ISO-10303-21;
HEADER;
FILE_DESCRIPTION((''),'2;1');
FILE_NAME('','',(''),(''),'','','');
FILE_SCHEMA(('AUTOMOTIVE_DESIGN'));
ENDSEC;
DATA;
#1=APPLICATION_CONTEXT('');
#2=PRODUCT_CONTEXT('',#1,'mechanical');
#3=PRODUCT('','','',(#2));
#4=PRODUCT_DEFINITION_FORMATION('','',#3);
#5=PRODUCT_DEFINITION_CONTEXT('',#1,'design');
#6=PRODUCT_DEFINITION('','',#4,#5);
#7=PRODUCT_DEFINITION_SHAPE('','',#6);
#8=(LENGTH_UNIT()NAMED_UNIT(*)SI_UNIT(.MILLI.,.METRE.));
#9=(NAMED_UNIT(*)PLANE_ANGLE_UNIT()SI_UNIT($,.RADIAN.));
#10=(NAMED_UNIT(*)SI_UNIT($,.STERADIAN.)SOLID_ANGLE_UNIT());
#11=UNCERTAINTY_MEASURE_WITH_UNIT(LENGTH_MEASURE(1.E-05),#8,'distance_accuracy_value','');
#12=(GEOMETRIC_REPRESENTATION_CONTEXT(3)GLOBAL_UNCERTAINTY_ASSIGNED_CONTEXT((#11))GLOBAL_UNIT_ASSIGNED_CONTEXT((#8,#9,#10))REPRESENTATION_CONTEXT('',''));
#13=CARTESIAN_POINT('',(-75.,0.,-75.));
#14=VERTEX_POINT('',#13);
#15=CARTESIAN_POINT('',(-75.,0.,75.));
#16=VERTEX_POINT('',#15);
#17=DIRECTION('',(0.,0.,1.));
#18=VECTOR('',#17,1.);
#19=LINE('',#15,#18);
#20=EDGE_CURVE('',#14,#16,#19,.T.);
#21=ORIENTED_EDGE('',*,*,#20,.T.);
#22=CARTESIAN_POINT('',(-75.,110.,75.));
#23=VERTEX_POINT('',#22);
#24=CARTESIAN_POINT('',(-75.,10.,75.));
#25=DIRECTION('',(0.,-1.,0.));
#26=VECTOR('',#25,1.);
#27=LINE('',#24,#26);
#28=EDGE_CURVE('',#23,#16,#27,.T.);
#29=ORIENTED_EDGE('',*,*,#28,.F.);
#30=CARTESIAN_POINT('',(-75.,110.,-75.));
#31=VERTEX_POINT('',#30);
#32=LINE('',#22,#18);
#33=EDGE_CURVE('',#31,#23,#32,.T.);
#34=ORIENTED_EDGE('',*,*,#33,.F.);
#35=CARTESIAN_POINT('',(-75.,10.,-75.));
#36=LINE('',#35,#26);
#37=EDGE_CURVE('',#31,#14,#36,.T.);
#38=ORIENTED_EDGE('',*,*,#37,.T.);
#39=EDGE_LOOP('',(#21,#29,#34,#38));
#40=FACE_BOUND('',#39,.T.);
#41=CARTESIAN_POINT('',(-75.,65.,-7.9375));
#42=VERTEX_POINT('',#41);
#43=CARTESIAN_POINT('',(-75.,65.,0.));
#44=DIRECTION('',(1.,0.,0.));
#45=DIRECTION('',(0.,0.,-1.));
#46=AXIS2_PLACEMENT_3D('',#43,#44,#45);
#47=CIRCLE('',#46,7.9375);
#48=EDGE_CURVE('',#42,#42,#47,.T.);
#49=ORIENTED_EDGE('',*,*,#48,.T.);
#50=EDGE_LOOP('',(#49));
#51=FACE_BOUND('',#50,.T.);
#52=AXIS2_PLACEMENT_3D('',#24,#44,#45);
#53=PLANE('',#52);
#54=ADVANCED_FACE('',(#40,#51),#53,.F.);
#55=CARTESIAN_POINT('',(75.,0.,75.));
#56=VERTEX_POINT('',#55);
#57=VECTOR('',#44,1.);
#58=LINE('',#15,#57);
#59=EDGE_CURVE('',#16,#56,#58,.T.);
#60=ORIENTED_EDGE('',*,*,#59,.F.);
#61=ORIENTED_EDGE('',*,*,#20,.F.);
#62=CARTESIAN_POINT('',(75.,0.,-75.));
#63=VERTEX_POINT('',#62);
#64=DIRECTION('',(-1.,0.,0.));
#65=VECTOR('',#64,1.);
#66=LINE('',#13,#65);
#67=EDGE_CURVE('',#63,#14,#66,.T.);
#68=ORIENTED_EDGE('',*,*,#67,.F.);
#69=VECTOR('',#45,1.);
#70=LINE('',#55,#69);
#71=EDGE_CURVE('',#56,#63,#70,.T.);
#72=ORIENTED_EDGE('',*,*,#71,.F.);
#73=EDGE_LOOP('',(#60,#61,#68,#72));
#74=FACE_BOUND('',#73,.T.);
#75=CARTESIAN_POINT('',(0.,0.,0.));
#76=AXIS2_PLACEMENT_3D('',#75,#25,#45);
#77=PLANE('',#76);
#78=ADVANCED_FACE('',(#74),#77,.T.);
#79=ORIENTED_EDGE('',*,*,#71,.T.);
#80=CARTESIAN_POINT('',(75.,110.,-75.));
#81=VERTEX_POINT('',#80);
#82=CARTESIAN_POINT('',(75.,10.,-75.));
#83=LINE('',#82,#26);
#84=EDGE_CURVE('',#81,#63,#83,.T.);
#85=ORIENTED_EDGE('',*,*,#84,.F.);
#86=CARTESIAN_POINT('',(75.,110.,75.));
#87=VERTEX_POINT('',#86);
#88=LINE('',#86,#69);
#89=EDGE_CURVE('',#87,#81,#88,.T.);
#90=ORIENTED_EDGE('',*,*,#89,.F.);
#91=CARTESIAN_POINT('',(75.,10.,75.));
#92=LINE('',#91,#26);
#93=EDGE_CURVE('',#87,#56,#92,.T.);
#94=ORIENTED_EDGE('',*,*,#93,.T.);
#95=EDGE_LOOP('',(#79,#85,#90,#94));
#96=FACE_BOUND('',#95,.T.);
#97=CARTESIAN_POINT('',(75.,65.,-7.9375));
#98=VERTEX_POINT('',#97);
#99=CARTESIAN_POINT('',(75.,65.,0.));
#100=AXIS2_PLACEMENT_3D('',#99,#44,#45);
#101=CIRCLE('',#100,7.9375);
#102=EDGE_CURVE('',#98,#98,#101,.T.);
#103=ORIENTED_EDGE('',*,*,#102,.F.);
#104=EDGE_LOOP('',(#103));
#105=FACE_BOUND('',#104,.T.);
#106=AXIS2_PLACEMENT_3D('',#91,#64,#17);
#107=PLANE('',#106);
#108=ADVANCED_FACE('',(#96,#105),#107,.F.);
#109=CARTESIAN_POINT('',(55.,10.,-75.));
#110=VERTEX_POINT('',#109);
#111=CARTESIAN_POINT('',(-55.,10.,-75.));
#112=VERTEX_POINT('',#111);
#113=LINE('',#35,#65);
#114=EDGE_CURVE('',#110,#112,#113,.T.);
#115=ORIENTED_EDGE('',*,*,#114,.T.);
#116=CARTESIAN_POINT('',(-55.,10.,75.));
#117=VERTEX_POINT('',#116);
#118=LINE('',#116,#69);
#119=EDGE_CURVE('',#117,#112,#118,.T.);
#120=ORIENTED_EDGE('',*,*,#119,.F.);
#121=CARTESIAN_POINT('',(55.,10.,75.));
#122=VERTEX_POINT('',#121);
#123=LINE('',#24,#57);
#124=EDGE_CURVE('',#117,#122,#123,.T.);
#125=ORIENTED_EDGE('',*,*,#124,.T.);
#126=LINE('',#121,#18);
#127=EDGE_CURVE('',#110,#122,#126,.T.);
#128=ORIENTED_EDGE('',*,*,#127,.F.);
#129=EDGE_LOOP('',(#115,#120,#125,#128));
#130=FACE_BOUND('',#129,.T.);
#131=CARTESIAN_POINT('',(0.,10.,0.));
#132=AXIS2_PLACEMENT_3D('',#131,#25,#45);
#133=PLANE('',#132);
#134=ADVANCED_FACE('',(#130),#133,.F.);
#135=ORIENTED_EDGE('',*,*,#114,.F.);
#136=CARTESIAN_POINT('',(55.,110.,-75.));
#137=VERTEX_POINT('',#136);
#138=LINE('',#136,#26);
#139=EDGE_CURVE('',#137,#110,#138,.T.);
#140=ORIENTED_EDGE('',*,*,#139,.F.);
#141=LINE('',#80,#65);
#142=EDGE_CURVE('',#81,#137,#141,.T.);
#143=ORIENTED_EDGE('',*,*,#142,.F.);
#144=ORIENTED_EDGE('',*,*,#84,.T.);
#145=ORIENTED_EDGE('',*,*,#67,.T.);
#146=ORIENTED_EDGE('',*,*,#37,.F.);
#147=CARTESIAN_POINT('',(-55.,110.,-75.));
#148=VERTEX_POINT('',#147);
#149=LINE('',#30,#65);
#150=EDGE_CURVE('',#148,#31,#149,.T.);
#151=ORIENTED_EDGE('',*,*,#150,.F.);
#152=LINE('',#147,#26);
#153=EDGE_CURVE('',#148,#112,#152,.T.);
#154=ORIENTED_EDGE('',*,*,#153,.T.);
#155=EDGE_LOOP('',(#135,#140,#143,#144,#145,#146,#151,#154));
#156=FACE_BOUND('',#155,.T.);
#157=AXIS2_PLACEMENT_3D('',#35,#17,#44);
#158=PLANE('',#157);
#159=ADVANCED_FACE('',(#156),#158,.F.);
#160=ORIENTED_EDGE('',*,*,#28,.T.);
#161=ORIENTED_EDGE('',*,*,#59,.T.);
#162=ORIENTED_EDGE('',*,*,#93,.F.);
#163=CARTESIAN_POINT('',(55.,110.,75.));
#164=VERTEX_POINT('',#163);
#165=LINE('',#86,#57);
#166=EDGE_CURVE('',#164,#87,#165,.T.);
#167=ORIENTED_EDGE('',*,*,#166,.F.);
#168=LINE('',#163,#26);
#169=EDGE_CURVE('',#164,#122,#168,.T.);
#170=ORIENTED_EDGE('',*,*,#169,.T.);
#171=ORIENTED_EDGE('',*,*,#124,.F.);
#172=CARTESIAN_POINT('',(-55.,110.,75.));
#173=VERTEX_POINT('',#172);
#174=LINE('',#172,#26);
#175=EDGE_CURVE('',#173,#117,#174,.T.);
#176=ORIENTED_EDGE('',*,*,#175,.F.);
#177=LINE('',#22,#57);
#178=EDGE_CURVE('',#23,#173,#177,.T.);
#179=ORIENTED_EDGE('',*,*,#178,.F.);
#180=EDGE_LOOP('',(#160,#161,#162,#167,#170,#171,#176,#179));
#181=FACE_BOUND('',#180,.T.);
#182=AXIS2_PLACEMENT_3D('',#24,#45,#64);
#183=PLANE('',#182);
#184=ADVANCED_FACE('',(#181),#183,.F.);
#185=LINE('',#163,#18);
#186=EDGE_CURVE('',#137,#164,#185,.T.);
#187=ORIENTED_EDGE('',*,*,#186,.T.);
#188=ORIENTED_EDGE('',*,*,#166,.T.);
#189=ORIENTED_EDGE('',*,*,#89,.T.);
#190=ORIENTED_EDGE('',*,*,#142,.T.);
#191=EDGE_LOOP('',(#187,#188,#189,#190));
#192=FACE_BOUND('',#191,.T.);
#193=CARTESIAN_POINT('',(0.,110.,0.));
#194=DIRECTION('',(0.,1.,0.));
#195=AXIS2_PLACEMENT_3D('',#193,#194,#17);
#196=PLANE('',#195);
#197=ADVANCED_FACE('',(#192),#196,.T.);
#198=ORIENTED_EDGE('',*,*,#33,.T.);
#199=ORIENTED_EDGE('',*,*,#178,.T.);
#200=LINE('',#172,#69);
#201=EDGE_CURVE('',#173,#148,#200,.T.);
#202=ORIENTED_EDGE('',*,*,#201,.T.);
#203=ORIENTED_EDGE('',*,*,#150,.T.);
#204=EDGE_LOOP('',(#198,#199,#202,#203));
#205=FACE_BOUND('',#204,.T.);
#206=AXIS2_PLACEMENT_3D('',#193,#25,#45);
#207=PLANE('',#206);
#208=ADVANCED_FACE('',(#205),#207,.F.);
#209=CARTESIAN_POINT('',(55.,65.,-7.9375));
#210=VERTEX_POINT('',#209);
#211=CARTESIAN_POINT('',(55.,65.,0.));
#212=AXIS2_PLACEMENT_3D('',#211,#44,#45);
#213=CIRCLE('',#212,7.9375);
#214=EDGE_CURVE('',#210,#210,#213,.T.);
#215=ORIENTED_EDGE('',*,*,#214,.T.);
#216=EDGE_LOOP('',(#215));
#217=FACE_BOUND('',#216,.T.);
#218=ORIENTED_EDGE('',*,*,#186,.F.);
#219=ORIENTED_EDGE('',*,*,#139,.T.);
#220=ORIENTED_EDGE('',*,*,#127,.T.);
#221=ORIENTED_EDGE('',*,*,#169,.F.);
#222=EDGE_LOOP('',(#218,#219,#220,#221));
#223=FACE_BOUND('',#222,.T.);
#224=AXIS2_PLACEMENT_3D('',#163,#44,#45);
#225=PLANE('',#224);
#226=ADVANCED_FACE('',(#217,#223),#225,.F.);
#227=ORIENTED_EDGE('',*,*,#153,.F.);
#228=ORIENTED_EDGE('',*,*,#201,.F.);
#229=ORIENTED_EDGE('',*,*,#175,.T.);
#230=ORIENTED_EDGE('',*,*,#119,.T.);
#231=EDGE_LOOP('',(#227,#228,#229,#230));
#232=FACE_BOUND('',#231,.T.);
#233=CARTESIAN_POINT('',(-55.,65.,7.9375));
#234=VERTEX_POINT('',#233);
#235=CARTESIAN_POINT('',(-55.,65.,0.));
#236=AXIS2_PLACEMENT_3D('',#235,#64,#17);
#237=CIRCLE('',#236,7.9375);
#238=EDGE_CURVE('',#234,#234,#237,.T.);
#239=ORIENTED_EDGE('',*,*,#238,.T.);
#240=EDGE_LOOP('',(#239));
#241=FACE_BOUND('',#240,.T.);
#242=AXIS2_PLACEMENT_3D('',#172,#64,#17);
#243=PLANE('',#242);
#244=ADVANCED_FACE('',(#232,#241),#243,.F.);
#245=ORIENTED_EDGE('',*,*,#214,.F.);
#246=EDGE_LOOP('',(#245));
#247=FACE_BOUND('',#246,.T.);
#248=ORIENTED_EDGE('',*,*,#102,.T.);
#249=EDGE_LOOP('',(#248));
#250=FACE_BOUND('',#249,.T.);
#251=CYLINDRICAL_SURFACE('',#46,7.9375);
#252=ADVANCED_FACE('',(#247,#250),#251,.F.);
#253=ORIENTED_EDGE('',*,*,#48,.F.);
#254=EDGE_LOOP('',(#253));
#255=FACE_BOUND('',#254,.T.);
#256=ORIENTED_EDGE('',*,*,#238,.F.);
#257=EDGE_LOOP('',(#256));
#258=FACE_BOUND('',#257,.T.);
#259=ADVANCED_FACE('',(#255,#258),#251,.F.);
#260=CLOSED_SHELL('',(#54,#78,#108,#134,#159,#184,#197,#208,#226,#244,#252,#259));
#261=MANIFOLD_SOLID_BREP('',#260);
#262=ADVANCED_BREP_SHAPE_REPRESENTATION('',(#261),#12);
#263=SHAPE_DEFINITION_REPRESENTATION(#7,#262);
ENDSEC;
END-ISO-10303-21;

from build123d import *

# Parameters (mm, degrees)
SKETCH1_W           = 150
SKETCH1_H           = 150
BOSS_EXTRUDE1_DEPTH = 10
SKETCH2_W           = 20
SKETCH2_H           = 150
BOSS_EXTRUDE2_DEPTH = 100
SKETCH3_R           = 7.9375
CUT_EXTRUDE1_DEPTH  = 201.561711201


with BuildPart() as part:
    # Sketch1 → Boss-Extrude1 (new body)
    with BuildSketch(Plane(origin=(0, 0, 0), x_dir=(1, 0, 0), z_dir=(0, 1, 0))):
        Rectangle(SKETCH1_W, SKETCH1_H)
    extrude(amount=BOSS_EXTRUDE1_DEPTH)

    # Sketch2 → Boss-Extrude2 (add)
    with BuildSketch(Plane(origin=(0, 10, 0), x_dir=(1, 0, 0), z_dir=(0, 1, 0))):
        with Locations((-65, 0)):
            Rectangle(SKETCH2_W, SKETCH2_H)
        with Locations((65, 0)):
            Rectangle(SKETCH2_W, SKETCH2_H)
    extrude(amount=BOSS_EXTRUDE2_DEPTH)

    # Sketch3 → Cut-Extrude1 (cut, through all)
    with BuildSketch(Plane(origin=(75, 0, 0), x_dir=(0, 0, -1), z_dir=(1, 0, 0))):
        with Locations((0, 65)):
            Circle(SKETCH3_R)
    extrude(amount=-CUT_EXTRUDE1_DEPTH, mode=Mode.SUBTRACT)


solid = part.part
